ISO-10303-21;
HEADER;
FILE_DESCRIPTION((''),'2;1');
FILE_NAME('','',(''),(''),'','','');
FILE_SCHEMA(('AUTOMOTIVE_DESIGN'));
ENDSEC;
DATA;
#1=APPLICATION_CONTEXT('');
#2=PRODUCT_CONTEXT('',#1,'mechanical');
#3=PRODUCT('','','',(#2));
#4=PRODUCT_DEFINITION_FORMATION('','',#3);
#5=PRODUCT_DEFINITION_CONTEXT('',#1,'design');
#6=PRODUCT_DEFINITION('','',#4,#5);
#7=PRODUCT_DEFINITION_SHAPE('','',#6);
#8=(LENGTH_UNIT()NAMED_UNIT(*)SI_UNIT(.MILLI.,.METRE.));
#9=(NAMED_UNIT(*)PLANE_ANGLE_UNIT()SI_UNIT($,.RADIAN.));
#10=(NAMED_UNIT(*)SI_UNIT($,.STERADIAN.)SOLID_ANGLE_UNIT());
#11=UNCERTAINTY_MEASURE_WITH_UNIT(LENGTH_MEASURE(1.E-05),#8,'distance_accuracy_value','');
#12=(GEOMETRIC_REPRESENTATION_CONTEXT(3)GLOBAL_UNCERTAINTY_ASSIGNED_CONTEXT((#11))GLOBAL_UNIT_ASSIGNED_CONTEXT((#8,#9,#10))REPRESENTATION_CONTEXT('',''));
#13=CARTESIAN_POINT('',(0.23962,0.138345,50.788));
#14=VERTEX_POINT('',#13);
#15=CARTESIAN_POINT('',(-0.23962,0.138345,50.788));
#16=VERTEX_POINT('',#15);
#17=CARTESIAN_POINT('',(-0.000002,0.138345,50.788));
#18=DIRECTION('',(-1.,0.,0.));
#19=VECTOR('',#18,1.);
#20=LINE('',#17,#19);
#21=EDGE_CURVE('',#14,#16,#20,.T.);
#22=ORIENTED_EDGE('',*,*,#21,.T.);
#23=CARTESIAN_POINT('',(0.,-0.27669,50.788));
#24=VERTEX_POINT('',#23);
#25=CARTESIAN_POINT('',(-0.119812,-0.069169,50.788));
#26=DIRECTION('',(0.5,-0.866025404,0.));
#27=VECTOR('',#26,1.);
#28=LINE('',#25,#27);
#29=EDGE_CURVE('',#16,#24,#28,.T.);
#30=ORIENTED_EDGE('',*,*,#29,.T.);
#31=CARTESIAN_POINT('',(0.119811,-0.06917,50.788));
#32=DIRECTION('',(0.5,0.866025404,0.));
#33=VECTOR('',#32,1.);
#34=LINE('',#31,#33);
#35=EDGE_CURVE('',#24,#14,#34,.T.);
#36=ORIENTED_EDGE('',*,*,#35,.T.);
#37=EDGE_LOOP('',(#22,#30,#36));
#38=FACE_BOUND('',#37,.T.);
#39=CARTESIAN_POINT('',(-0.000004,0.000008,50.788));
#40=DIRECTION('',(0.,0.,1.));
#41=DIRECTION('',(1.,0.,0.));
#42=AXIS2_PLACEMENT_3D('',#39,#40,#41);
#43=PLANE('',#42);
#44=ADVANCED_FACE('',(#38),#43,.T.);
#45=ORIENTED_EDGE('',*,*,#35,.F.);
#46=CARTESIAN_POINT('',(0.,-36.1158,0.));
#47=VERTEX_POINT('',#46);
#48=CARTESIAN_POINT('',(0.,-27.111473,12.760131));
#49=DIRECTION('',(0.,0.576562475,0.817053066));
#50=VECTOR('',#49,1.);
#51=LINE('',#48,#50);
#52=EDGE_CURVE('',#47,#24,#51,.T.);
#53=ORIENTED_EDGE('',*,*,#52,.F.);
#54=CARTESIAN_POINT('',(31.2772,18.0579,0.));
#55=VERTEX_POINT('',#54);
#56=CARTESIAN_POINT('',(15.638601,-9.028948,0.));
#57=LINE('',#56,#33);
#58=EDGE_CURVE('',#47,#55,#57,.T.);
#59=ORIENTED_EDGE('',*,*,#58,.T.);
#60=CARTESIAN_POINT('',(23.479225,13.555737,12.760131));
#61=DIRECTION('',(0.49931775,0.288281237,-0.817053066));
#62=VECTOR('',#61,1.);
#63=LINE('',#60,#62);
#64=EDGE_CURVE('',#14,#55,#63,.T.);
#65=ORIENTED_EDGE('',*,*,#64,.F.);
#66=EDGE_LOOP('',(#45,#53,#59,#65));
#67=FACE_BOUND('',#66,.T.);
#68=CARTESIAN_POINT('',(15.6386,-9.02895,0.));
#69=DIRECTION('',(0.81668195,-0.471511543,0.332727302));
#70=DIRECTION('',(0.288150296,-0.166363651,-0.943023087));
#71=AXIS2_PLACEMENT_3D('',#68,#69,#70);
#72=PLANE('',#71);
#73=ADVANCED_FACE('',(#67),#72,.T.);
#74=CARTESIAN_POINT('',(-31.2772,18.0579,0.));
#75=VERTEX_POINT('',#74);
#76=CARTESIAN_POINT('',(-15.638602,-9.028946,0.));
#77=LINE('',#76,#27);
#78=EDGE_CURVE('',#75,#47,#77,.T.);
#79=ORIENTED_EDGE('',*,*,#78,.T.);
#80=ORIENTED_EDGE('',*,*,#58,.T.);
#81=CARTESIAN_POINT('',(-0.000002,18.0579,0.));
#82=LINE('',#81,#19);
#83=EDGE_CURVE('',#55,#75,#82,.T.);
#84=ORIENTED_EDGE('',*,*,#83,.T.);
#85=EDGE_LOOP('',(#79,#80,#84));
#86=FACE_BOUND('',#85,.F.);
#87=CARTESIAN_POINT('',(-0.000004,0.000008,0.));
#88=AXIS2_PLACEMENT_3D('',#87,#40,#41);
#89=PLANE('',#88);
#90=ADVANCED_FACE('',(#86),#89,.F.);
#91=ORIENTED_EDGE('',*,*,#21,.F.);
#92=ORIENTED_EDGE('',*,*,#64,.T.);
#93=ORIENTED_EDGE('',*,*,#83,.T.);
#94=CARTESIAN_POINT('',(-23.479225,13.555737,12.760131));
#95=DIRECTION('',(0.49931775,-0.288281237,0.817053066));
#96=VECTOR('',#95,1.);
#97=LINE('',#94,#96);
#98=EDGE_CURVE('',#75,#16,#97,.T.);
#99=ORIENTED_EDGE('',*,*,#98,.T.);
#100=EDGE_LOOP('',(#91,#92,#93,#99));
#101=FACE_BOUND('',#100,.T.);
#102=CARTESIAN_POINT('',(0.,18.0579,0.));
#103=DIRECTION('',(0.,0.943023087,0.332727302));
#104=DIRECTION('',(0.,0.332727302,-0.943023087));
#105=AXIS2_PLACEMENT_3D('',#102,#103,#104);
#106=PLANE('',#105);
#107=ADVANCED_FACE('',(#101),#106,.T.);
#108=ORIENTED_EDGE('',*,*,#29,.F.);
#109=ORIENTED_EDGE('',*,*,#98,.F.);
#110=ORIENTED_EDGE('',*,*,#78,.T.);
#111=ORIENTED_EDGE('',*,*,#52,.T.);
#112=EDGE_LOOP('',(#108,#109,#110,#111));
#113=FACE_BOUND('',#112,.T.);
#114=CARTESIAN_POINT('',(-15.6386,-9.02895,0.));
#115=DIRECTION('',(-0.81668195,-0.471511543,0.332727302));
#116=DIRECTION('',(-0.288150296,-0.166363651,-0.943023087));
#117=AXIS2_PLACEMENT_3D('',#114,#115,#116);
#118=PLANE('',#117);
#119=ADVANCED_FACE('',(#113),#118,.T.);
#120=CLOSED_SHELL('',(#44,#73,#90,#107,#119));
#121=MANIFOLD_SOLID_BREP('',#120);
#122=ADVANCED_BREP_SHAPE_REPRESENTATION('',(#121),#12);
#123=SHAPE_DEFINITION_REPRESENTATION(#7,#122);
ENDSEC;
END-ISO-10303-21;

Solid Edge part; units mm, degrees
sketch "Sketch1" plane through (0, 0, 0) normal (0, 0, 1) x (1, 0, 0)
  line L0 (-0.0293, -36.1666) -> (31.3359, 18.0579)
  line L1 (31.3359, 18.0579) -> (-31.3066, 18.1087)
  line L2 (-31.3066, 18.1087) -> (-0.0293, -36.1666)
extrude "Protrusion1" add sketch "Sketch1" along normal blind 50.788
sketch "Sketch2" plane through (0, 0, 0) normal (1, 0, 0) x (0, 1, 0)
  line L0 (0, 51.1801) -> (18.0579, 0)
extrude "ExtrudedCutout_14" cut sketch "Sketch2" along normal mid plane 199.174 material side at (0, 9.0761, 25.6067)
pattern_circular "Pattern1" count 3 over 360 about axis through (0, 0, 0) along (0, 0, 1) of "ExtrudedCutout_14"
